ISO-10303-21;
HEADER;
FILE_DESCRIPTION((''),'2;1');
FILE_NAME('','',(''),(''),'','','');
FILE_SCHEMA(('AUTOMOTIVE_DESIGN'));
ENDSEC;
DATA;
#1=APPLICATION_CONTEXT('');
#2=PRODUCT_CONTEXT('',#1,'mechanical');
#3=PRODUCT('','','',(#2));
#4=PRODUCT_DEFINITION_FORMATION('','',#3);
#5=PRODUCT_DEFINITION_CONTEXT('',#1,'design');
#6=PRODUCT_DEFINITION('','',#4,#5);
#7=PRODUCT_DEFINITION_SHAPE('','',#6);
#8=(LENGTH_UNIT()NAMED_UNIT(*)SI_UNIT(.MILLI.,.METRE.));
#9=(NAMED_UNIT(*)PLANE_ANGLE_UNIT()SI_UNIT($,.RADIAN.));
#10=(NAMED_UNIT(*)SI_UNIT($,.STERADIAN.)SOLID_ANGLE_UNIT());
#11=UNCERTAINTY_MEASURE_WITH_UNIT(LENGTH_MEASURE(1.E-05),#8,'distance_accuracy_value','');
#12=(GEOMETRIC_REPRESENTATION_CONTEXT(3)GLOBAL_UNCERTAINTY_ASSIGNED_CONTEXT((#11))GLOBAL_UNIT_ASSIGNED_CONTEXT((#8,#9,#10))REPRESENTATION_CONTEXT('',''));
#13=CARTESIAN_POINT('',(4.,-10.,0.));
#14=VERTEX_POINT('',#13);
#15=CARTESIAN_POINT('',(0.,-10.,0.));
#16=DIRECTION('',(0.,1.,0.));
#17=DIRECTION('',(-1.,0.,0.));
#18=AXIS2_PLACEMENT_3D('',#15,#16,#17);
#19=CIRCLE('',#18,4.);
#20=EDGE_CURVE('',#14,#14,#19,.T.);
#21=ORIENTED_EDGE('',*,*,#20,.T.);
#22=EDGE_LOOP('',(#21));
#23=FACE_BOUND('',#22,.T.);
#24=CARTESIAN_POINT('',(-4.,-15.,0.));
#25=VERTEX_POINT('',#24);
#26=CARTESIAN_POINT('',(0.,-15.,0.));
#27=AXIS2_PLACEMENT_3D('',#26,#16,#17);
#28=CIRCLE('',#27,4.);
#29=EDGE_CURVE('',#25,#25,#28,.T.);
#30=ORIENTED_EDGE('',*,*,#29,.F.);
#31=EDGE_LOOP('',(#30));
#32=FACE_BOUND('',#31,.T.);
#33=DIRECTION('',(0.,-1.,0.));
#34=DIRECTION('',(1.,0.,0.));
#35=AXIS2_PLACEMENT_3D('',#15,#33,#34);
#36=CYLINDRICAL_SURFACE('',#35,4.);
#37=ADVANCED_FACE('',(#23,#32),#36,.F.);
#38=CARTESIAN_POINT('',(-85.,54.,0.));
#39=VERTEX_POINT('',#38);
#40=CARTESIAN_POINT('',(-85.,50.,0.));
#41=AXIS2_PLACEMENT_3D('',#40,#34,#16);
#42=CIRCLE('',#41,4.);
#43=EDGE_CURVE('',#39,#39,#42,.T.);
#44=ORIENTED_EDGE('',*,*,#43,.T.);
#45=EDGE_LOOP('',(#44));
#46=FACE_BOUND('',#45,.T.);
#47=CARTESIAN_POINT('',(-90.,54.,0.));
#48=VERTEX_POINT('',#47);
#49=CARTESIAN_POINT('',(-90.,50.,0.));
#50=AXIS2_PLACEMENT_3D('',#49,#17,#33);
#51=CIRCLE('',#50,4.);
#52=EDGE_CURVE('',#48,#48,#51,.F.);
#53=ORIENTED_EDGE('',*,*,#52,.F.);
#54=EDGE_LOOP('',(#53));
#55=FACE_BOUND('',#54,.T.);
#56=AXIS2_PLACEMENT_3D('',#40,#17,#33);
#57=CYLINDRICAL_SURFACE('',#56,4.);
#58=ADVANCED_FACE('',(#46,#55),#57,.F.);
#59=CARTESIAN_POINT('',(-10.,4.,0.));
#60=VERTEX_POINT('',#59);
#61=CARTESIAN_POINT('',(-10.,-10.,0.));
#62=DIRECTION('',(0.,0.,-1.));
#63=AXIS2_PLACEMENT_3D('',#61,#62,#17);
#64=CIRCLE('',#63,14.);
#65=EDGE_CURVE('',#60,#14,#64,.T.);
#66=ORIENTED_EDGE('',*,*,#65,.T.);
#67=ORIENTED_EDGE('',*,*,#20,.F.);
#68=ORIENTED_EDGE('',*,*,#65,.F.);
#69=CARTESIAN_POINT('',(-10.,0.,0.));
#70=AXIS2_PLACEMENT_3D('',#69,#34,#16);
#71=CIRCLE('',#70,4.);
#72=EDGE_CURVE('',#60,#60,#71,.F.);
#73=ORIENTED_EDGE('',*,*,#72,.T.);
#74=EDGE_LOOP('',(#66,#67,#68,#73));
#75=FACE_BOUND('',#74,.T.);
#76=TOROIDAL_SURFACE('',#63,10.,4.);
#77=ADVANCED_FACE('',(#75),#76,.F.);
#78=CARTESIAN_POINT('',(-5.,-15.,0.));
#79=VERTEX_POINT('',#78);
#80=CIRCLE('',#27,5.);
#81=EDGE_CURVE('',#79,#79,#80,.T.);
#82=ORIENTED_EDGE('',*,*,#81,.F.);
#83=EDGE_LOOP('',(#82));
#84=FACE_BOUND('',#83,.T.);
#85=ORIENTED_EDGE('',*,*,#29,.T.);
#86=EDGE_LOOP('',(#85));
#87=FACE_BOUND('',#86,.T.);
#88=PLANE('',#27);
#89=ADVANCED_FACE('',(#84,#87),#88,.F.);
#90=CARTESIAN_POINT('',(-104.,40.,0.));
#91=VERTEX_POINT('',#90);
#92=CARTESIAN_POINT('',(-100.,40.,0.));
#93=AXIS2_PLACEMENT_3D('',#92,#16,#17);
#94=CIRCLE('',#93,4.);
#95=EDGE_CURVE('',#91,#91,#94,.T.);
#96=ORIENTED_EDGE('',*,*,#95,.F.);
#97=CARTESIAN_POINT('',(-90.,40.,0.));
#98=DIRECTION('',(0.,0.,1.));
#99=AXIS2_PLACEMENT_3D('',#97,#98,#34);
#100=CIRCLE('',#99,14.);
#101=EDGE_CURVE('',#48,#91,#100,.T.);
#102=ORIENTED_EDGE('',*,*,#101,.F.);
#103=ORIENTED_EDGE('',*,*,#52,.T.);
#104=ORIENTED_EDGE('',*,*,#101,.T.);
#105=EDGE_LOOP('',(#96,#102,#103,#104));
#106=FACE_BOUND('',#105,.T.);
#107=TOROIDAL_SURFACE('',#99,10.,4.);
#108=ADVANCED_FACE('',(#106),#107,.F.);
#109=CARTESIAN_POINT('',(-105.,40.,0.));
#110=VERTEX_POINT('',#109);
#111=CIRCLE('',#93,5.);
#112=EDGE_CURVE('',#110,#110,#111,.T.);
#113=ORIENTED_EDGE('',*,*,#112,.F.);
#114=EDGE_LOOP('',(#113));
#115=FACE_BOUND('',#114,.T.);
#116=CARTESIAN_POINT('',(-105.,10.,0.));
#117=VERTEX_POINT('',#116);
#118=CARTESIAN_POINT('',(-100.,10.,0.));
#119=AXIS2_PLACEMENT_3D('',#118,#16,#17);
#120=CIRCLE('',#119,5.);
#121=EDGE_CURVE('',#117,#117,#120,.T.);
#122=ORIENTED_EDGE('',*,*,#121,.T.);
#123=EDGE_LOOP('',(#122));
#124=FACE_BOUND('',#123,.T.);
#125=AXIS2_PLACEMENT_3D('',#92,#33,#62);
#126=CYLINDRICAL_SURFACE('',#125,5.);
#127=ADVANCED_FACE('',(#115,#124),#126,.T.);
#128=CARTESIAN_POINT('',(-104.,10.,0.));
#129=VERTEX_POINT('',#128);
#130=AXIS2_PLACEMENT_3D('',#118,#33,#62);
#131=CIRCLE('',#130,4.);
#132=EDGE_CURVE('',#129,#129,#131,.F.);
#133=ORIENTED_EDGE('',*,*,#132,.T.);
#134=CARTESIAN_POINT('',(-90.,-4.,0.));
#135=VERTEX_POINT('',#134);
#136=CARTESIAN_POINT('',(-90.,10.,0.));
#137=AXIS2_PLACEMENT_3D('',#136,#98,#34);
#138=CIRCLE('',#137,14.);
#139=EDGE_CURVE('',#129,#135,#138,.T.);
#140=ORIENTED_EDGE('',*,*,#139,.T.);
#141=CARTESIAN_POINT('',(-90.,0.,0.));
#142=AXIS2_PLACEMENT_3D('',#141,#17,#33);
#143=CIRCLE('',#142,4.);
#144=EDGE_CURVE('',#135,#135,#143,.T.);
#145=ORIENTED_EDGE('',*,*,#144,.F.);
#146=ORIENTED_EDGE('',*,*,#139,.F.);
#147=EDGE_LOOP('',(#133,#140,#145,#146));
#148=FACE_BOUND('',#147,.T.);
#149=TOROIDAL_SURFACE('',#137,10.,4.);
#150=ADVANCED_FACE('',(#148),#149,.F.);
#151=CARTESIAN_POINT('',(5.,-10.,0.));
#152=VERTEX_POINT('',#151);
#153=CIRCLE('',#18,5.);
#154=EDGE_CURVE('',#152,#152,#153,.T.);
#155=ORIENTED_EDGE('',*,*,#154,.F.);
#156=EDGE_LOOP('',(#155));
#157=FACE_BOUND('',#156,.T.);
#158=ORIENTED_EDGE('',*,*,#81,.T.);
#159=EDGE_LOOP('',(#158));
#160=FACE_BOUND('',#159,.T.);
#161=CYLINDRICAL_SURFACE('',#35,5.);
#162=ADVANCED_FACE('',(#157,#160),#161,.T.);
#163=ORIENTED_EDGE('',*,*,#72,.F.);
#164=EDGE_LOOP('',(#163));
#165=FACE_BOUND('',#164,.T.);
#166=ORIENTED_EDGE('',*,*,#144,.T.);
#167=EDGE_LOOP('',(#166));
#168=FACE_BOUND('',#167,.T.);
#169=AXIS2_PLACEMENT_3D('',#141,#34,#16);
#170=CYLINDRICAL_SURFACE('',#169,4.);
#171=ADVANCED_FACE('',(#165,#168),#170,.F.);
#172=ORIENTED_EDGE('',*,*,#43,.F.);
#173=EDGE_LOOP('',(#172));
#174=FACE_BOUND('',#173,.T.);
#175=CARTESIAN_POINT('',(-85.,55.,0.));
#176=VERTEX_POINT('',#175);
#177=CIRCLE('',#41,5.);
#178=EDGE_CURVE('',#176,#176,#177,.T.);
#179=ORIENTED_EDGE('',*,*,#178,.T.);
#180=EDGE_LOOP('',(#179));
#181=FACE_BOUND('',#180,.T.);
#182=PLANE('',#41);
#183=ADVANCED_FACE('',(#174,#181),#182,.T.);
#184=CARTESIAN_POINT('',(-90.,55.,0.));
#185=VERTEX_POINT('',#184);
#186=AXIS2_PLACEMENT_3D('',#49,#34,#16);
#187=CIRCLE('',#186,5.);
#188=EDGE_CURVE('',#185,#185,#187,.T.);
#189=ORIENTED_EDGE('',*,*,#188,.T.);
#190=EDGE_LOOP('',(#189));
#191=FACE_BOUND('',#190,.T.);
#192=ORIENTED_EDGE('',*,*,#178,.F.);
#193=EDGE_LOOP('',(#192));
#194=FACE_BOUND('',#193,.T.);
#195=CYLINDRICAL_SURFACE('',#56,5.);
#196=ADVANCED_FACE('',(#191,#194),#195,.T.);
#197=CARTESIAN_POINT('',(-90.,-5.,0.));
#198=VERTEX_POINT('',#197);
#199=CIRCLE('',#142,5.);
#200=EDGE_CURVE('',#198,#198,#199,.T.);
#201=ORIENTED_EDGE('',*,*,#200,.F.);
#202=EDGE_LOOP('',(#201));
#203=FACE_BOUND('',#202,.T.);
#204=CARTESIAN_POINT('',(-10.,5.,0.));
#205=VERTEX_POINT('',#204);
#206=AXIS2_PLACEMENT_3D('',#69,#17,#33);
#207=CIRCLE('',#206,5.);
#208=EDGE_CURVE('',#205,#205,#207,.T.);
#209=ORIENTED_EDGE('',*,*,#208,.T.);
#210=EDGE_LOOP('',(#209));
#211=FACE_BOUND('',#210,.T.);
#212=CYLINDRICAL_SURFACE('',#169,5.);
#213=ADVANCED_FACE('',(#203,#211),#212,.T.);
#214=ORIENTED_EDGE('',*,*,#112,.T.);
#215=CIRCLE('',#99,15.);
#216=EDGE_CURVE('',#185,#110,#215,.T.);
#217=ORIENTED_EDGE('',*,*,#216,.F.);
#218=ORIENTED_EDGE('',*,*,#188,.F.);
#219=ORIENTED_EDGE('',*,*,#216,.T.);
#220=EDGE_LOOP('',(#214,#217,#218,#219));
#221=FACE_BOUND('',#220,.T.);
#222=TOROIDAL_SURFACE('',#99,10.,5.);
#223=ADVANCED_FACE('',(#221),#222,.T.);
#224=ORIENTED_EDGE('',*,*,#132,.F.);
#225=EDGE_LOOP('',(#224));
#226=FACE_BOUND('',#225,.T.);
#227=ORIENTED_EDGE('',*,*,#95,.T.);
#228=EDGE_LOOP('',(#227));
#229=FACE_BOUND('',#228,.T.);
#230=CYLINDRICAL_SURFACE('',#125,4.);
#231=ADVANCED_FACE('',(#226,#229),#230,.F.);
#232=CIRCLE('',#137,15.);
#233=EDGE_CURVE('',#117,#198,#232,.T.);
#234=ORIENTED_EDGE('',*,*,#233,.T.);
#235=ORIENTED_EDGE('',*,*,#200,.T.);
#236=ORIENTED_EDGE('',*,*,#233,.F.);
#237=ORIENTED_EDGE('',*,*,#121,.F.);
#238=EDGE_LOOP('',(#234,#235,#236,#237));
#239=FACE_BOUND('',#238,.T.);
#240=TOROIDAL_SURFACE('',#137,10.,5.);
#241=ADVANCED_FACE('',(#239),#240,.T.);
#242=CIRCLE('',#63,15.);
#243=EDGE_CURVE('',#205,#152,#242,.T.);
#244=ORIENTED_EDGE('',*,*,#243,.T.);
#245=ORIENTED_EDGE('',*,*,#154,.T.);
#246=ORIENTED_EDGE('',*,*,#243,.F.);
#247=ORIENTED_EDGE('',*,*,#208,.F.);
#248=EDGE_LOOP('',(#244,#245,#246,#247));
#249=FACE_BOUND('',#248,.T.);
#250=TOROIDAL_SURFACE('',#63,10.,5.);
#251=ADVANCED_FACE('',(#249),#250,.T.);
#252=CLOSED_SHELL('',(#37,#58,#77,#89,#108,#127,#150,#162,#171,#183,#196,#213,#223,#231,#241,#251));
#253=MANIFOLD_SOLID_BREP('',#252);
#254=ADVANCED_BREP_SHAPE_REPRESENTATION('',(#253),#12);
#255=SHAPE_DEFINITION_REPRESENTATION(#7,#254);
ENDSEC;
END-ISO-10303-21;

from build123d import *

# Parameters (mm, degrees)
SWEEP_1_PROFILE_R   = 5
SWEEP_1_PROFILE_R_2 = 4


with BuildPart() as part:
    # 扫描-薄件1: sweep along a path in 草图1
    with BuildLine(Plane.XY) as sweep_1_path:
        Line((-85, 50), (-90, 50))
        ThreePointArc((-90, 50), (-97.071067812, 47.071067812), (-100, 40))
        Line((-100, 40), (-100, 10))
        ThreePointArc((-100, 10), (-97.071067812, 2.928932188), (-90, 0))
        Line((-90, 0), (-10, 0))
        ThreePointArc((-10, 0), (-2.928932188, -2.928932188), (0, -10))
        Line((0, -10), (0, -15))
    # 扫描-薄件1 profile (on start of the path) → 扫描-薄件1 (sweep)
    with BuildSketch(Plane(origin=(-85, 50, 0), x_dir=(0, -1, 0), z_dir=(-1, 0, 0))):
        Circle(SWEEP_1_PROFILE_R)
        Circle(SWEEP_1_PROFILE_R_2, mode=Mode.SUBTRACT)
    sweep(path=sweep_1_path.line)


solid = part.part
